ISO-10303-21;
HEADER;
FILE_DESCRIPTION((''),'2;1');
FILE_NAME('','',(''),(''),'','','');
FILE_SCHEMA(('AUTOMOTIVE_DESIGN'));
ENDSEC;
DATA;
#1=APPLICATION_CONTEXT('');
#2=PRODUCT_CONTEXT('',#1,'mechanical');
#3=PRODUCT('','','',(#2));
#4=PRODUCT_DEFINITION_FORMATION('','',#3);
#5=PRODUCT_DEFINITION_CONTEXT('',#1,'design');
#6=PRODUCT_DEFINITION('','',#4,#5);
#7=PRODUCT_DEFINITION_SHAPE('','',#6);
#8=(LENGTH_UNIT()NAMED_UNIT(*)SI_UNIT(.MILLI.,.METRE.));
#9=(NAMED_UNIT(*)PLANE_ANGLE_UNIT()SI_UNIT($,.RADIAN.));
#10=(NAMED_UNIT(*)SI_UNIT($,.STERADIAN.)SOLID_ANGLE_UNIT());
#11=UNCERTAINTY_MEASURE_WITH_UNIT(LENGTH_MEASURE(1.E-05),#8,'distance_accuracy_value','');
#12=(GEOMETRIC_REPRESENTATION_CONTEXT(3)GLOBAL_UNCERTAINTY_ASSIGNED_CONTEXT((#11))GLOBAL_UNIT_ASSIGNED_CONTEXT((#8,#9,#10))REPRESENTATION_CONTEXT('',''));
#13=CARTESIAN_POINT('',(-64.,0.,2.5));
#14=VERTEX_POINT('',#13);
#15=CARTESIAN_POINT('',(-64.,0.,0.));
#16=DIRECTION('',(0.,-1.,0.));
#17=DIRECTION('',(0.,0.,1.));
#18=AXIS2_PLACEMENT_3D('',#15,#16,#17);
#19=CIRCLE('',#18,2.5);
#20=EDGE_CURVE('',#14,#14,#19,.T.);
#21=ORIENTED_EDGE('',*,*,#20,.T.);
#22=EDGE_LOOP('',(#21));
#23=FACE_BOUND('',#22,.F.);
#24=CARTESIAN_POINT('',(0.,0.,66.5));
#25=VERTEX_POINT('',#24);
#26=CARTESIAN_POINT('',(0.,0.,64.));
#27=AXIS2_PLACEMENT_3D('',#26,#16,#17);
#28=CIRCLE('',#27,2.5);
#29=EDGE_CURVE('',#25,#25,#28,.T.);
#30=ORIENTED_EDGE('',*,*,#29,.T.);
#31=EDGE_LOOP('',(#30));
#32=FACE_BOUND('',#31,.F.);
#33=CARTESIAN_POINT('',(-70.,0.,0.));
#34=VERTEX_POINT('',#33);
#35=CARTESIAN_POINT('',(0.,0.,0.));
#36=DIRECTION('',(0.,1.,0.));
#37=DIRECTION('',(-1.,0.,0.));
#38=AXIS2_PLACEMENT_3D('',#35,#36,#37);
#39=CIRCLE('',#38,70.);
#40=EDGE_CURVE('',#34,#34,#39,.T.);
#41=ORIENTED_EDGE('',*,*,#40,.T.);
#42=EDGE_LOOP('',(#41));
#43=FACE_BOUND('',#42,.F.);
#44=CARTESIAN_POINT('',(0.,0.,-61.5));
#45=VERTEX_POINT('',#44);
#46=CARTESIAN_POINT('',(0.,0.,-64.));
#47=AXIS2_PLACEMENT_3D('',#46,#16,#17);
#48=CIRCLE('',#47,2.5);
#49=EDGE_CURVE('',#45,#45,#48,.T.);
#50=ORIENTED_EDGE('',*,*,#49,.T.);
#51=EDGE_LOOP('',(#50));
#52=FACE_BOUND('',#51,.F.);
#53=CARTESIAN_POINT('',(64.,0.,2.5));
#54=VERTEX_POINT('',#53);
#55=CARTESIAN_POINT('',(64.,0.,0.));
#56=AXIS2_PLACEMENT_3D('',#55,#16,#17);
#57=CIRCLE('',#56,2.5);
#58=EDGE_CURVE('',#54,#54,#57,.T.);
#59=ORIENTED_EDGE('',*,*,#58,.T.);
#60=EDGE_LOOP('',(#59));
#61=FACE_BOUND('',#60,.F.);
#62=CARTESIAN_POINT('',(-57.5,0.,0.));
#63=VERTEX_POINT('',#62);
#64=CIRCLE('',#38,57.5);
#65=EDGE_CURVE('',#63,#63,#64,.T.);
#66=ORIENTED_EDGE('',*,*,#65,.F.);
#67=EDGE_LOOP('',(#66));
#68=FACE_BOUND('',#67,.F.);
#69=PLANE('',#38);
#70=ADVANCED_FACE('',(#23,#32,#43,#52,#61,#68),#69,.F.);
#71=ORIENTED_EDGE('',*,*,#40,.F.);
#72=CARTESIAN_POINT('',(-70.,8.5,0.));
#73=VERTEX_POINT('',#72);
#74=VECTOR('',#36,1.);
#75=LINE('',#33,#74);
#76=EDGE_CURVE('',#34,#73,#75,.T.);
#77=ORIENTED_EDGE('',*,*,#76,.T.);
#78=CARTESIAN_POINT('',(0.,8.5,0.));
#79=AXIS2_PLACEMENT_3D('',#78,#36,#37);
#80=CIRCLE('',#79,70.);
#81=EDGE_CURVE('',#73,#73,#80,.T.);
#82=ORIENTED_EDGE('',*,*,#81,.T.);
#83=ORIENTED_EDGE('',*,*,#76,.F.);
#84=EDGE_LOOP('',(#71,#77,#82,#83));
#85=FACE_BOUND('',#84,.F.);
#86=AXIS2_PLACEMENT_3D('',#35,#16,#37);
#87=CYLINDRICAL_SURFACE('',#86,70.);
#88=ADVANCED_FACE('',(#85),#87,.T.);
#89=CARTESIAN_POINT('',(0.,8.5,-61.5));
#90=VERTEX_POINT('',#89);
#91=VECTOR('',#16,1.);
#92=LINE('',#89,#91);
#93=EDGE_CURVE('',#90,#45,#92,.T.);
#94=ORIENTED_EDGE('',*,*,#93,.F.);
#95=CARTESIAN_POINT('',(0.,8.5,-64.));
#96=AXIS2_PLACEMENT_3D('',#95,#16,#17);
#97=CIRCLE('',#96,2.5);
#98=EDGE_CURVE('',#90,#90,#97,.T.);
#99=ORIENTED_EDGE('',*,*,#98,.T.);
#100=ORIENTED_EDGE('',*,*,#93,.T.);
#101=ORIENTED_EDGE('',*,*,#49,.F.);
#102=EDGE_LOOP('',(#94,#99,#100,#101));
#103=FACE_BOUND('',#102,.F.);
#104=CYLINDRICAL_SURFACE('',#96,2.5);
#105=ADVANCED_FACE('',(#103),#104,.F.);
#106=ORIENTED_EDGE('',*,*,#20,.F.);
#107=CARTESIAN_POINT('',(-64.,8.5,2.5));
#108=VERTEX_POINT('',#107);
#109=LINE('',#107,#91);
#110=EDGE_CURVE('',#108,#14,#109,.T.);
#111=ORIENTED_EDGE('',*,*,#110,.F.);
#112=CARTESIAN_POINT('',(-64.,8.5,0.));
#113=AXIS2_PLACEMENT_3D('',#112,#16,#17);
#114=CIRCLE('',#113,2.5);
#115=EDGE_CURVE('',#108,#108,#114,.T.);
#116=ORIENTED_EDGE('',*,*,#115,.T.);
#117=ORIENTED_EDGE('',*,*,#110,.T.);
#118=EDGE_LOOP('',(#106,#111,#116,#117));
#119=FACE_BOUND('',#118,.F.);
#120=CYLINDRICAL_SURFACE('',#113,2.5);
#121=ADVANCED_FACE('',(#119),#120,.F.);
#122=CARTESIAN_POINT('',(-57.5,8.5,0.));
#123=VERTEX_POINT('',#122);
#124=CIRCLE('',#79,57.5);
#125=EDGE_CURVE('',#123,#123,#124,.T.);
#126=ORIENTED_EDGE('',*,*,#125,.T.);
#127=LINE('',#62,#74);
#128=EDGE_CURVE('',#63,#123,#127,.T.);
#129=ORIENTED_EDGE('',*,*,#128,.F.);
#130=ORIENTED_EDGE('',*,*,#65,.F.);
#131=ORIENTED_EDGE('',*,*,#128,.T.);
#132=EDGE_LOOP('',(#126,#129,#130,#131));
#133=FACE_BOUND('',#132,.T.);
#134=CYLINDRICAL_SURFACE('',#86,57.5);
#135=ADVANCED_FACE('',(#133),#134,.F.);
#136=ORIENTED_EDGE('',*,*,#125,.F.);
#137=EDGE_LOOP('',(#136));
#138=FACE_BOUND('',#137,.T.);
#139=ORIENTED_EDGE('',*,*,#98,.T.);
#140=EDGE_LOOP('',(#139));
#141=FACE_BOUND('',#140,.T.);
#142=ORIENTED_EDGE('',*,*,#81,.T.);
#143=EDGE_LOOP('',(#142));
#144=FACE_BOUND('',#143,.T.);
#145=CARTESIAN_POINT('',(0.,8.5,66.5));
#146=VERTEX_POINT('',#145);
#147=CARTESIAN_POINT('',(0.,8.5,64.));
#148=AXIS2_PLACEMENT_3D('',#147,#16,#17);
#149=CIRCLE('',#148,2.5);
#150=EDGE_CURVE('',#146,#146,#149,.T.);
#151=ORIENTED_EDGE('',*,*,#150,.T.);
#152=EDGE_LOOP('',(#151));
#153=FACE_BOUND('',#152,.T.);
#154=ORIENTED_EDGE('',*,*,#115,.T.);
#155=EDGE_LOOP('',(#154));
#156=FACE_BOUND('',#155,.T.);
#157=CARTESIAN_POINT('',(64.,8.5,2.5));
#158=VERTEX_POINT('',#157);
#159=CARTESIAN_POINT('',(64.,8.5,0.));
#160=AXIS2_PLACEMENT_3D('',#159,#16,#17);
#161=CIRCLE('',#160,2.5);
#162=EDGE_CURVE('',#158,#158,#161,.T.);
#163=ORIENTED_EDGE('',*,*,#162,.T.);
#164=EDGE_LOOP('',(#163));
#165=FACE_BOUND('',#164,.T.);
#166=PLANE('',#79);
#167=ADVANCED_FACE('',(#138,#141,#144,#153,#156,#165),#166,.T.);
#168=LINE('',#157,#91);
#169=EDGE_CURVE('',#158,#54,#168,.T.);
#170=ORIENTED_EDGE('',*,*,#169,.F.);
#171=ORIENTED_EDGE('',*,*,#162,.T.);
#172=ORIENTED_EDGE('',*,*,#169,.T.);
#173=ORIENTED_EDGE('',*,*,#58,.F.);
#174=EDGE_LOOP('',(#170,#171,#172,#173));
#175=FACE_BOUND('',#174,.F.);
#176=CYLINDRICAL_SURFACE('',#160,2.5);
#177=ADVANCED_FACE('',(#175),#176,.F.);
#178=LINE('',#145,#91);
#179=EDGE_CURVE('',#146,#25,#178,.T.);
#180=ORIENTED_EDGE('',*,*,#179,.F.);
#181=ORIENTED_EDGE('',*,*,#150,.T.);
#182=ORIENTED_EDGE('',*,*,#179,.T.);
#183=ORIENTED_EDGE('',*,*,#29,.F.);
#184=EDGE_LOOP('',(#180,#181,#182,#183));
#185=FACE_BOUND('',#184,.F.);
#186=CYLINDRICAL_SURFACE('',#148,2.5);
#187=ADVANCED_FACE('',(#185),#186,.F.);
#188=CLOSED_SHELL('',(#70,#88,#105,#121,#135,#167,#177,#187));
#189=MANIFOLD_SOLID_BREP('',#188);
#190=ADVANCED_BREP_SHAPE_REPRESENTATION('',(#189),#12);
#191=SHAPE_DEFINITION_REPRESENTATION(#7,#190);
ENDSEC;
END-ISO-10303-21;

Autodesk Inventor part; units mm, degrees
ref_plane "YZ Plane" through (0, 0, 0) normal (1, 0, 0) x (0, 1, 0)
ref_plane "XZ Plane" through (0, 0, 0) normal (0, 1, 0) x (-1, 0, 0)
ref_plane "XY Plane" through (0, 0, 0) normal (0, 0, 1) x (1, 0, 0)
sketch "スケッチ1" plane through (0, 0, 0) normal (0, 1, 0) x (-1, 0, 0)
  circle A0 centre (0, 0) radius 57.5
  circle A1 centre (0, 0) radius 70
  dimension "d0" = 115
  dimension "d1" = 140
extrude "押し出し1" add sketch "スケッチ1" along normal blind 8.5
sketch "スケッチ2" plane through (0, 8.5, 0) normal (0, 1, 0) x (1, 0, 0)
  point P0 (0, 0)
  point P1 (0, 64)
  point P2 (-64, 0)
  point P3 (0, -64)
  point P4 (64, 0)
  dimension "d4" = 64
  dimension "d7" = 360
hole "穴1" at (0, 8.5, -64) at (-64, 8.5, 0) at (0, 8.5, 64) at (64, 8.5, 0) direction (0, -1, 0) diameter 5 end through all
properties part number "turntable2" material "アルミニウム 6061"
